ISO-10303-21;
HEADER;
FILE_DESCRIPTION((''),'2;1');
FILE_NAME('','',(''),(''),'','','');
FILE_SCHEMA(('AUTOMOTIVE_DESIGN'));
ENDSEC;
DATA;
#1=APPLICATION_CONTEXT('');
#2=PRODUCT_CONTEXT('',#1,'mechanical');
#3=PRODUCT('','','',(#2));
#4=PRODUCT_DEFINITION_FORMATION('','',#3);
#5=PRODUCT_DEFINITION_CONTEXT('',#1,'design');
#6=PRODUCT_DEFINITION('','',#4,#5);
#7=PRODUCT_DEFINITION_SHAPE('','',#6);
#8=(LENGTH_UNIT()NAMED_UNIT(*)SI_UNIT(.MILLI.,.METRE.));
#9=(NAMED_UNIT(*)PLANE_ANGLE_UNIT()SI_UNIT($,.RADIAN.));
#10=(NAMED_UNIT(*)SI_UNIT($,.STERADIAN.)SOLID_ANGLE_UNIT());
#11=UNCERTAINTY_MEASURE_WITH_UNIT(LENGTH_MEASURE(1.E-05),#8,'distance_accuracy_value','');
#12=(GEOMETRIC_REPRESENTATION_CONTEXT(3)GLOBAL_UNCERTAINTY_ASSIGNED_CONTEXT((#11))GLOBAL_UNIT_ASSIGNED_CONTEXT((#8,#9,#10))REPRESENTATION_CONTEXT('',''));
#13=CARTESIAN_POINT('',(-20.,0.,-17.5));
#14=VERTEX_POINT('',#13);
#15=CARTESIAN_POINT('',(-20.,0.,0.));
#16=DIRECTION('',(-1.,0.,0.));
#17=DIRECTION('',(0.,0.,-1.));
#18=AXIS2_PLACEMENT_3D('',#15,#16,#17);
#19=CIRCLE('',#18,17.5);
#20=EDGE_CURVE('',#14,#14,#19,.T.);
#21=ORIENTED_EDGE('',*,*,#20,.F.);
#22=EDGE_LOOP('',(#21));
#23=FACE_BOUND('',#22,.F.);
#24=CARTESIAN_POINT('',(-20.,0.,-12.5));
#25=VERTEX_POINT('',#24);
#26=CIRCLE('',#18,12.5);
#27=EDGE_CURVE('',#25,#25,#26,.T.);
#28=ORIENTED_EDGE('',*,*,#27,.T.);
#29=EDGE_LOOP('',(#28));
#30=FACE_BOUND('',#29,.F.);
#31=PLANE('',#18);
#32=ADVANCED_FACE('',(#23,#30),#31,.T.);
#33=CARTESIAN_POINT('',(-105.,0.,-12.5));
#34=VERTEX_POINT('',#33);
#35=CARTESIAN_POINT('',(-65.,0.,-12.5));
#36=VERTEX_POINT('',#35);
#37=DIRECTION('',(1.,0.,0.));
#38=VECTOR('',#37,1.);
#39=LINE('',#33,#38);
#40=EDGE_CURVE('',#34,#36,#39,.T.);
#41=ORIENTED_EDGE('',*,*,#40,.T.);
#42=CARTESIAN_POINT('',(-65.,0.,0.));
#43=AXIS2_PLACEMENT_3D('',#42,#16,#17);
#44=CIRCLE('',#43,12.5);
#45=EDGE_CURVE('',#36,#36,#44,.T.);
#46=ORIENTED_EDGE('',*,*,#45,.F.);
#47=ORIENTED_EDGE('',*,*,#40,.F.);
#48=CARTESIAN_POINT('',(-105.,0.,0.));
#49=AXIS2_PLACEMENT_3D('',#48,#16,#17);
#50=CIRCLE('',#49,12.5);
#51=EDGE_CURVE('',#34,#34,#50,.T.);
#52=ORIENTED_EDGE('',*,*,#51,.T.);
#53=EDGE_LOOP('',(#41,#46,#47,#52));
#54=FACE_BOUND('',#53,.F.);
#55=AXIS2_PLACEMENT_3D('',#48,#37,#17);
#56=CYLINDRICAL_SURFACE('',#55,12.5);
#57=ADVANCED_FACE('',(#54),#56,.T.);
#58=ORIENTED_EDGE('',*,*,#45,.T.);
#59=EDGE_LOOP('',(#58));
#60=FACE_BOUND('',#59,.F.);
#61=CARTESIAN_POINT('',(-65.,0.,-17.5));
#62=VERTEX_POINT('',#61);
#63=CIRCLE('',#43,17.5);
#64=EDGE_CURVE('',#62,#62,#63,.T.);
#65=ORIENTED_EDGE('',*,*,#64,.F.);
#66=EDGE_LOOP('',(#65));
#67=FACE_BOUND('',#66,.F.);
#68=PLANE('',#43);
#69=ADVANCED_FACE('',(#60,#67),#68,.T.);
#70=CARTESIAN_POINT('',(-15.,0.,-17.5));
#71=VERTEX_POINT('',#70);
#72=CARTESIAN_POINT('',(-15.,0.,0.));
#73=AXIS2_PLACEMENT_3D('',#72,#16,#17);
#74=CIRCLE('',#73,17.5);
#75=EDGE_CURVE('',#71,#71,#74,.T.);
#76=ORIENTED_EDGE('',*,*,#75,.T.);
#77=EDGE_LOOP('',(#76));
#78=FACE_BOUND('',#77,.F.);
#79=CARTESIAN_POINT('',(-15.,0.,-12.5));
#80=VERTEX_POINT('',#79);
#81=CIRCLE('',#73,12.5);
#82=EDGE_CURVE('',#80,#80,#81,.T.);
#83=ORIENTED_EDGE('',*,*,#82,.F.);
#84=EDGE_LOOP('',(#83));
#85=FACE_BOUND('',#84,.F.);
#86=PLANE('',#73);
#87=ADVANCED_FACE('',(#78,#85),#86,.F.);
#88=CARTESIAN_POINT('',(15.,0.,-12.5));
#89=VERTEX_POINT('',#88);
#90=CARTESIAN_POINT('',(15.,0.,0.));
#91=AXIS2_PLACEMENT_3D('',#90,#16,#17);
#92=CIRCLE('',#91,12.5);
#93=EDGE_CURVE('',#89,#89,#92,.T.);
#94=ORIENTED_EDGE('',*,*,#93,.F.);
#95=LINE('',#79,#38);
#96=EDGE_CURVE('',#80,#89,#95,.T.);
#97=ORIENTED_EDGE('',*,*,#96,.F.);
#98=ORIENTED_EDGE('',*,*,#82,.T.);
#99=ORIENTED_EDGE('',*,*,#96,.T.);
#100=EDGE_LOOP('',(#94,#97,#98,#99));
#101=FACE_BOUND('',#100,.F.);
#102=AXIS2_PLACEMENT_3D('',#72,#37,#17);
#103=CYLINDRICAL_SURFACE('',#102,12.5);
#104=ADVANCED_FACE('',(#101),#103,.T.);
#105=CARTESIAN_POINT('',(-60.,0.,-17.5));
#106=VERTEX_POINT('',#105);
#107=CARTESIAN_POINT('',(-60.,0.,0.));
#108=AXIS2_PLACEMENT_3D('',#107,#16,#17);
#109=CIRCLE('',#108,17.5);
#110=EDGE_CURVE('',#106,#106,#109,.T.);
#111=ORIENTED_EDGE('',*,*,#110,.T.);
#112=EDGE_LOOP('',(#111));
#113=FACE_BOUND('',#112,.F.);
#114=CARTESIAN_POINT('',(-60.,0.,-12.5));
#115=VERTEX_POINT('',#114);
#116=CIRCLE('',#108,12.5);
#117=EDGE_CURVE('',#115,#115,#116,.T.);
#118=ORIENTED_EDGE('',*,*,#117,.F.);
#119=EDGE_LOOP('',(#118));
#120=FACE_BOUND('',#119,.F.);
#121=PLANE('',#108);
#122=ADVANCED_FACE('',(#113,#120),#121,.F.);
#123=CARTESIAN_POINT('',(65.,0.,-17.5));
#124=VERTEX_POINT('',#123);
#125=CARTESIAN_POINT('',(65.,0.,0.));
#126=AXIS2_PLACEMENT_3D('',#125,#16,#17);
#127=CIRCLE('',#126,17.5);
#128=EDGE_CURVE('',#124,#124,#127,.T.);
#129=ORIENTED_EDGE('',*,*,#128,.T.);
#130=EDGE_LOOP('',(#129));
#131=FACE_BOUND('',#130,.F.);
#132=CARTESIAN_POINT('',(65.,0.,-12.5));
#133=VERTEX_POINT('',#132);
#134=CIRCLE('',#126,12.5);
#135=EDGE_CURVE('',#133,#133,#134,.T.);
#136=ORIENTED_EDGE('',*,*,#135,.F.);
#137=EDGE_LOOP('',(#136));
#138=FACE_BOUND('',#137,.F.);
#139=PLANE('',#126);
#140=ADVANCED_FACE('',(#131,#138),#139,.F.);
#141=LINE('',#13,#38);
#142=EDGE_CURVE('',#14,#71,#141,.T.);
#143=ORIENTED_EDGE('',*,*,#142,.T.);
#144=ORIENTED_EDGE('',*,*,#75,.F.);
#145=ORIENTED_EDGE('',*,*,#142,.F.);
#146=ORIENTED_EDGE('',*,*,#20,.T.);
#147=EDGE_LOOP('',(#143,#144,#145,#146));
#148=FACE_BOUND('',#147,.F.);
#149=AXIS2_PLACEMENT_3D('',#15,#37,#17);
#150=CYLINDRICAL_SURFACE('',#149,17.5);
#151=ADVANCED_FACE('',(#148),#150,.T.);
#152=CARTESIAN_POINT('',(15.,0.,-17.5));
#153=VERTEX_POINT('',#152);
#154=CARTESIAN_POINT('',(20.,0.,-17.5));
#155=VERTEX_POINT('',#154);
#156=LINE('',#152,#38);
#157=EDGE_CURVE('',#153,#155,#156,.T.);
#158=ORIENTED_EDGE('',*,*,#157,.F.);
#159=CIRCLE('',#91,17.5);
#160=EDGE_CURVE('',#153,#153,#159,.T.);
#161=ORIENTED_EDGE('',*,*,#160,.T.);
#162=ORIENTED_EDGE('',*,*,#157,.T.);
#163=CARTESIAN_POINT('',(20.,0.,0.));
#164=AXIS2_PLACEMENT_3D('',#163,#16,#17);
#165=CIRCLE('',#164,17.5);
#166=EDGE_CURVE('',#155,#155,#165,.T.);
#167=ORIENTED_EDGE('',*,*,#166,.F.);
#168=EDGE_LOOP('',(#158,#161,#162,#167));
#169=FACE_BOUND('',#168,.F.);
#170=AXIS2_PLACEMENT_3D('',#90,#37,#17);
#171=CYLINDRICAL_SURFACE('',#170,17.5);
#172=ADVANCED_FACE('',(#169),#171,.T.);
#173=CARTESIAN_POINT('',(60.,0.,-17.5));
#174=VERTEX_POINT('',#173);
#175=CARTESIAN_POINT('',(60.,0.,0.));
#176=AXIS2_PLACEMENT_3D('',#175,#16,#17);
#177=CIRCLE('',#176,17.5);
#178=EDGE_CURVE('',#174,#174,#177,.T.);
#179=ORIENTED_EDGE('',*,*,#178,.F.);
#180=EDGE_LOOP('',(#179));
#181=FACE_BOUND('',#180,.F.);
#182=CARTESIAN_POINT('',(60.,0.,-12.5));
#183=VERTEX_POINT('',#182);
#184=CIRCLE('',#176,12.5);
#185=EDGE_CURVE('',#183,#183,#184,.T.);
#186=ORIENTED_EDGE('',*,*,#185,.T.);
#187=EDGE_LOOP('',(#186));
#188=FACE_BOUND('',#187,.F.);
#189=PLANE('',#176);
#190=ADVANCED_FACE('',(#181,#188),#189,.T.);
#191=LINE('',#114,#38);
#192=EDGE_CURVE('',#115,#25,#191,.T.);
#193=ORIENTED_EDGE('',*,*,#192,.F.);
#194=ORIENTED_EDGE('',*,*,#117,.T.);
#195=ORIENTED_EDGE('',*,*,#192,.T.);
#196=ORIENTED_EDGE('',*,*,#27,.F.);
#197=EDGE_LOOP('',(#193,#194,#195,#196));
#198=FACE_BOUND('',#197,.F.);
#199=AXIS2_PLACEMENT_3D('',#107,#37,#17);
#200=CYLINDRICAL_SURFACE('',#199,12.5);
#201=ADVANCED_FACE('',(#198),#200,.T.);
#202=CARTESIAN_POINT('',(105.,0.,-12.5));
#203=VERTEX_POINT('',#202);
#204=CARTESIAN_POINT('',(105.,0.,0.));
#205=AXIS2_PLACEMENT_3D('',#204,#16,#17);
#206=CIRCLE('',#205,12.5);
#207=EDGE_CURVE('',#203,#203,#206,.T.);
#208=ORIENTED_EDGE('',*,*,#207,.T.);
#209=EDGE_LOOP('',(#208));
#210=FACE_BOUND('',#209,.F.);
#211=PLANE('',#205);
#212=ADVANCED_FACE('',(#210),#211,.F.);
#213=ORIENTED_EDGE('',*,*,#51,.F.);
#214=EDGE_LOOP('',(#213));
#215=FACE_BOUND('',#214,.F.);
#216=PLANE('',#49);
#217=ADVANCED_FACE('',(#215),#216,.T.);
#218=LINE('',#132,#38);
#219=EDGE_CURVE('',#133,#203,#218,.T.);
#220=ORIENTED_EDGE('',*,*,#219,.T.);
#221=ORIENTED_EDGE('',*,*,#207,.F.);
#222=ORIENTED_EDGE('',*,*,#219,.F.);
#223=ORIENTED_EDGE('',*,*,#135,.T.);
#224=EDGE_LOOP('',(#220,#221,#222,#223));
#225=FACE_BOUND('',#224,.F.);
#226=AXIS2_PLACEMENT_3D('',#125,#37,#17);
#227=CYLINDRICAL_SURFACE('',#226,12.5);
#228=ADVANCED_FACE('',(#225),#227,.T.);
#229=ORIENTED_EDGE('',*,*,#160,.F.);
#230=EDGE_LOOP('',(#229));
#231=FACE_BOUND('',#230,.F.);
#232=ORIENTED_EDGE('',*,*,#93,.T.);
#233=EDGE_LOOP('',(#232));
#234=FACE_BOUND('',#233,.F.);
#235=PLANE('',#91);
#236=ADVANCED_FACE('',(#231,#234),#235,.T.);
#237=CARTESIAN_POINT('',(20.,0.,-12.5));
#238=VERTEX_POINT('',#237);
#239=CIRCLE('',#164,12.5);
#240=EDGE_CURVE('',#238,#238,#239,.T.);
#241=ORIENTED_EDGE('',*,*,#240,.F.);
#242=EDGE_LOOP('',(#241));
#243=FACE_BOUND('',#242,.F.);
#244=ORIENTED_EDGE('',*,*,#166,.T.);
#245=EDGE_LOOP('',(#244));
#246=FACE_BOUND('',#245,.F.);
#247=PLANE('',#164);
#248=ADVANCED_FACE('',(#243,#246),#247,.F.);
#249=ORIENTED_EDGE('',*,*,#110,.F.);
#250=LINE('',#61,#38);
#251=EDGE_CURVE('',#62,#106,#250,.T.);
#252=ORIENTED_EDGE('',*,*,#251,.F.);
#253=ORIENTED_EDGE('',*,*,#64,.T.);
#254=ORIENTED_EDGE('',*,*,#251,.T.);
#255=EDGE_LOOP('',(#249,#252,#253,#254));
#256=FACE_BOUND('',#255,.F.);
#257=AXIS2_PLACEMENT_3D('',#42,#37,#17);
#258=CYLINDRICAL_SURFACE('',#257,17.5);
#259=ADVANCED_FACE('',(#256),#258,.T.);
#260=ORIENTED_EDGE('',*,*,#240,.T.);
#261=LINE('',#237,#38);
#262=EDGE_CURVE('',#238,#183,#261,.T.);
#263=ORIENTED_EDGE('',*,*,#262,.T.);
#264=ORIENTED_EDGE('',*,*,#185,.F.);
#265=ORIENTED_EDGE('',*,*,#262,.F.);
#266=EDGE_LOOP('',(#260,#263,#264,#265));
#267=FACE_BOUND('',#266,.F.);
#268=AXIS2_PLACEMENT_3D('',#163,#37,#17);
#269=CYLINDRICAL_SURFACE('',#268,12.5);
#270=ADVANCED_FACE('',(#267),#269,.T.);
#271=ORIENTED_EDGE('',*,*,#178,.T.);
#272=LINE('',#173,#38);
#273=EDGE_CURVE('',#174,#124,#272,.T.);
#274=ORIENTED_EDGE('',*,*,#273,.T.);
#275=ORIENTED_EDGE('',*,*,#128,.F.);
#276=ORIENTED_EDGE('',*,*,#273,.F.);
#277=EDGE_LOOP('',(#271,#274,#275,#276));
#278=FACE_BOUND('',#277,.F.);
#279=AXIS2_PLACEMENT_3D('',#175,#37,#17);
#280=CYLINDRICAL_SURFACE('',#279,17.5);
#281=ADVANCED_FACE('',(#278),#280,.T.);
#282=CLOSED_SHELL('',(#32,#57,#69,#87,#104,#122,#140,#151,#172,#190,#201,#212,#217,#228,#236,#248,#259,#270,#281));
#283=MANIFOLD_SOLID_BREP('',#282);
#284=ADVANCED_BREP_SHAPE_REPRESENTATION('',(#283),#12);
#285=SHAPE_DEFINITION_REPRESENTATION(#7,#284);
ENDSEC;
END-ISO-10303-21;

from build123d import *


with BuildPart() as f1:
    # F0 (on Front) → F1 (revolve)
    with BuildSketch(Plane.XZ):
        Polygon((105, 0), (0, 0), (-105, 0), (-105, -12.5), (-65, -12.5), (-65, -17.5), (-60, -17.5), (-60, -12.5), (-20, -12.5), (-20, -17.5), (-15, -17.5), (-15, -12.5), (15, -12.5), (15, -17.5), (20, -17.5), (20, -12.5), (60, -12.5), (60, -17.5), (65, -17.5), (65, -12.5), (105, -12.5), align=None)
    revolve(axis=Axis((-52.5, 0, 0), (-1, 0, 0)))


solid = f1.part
